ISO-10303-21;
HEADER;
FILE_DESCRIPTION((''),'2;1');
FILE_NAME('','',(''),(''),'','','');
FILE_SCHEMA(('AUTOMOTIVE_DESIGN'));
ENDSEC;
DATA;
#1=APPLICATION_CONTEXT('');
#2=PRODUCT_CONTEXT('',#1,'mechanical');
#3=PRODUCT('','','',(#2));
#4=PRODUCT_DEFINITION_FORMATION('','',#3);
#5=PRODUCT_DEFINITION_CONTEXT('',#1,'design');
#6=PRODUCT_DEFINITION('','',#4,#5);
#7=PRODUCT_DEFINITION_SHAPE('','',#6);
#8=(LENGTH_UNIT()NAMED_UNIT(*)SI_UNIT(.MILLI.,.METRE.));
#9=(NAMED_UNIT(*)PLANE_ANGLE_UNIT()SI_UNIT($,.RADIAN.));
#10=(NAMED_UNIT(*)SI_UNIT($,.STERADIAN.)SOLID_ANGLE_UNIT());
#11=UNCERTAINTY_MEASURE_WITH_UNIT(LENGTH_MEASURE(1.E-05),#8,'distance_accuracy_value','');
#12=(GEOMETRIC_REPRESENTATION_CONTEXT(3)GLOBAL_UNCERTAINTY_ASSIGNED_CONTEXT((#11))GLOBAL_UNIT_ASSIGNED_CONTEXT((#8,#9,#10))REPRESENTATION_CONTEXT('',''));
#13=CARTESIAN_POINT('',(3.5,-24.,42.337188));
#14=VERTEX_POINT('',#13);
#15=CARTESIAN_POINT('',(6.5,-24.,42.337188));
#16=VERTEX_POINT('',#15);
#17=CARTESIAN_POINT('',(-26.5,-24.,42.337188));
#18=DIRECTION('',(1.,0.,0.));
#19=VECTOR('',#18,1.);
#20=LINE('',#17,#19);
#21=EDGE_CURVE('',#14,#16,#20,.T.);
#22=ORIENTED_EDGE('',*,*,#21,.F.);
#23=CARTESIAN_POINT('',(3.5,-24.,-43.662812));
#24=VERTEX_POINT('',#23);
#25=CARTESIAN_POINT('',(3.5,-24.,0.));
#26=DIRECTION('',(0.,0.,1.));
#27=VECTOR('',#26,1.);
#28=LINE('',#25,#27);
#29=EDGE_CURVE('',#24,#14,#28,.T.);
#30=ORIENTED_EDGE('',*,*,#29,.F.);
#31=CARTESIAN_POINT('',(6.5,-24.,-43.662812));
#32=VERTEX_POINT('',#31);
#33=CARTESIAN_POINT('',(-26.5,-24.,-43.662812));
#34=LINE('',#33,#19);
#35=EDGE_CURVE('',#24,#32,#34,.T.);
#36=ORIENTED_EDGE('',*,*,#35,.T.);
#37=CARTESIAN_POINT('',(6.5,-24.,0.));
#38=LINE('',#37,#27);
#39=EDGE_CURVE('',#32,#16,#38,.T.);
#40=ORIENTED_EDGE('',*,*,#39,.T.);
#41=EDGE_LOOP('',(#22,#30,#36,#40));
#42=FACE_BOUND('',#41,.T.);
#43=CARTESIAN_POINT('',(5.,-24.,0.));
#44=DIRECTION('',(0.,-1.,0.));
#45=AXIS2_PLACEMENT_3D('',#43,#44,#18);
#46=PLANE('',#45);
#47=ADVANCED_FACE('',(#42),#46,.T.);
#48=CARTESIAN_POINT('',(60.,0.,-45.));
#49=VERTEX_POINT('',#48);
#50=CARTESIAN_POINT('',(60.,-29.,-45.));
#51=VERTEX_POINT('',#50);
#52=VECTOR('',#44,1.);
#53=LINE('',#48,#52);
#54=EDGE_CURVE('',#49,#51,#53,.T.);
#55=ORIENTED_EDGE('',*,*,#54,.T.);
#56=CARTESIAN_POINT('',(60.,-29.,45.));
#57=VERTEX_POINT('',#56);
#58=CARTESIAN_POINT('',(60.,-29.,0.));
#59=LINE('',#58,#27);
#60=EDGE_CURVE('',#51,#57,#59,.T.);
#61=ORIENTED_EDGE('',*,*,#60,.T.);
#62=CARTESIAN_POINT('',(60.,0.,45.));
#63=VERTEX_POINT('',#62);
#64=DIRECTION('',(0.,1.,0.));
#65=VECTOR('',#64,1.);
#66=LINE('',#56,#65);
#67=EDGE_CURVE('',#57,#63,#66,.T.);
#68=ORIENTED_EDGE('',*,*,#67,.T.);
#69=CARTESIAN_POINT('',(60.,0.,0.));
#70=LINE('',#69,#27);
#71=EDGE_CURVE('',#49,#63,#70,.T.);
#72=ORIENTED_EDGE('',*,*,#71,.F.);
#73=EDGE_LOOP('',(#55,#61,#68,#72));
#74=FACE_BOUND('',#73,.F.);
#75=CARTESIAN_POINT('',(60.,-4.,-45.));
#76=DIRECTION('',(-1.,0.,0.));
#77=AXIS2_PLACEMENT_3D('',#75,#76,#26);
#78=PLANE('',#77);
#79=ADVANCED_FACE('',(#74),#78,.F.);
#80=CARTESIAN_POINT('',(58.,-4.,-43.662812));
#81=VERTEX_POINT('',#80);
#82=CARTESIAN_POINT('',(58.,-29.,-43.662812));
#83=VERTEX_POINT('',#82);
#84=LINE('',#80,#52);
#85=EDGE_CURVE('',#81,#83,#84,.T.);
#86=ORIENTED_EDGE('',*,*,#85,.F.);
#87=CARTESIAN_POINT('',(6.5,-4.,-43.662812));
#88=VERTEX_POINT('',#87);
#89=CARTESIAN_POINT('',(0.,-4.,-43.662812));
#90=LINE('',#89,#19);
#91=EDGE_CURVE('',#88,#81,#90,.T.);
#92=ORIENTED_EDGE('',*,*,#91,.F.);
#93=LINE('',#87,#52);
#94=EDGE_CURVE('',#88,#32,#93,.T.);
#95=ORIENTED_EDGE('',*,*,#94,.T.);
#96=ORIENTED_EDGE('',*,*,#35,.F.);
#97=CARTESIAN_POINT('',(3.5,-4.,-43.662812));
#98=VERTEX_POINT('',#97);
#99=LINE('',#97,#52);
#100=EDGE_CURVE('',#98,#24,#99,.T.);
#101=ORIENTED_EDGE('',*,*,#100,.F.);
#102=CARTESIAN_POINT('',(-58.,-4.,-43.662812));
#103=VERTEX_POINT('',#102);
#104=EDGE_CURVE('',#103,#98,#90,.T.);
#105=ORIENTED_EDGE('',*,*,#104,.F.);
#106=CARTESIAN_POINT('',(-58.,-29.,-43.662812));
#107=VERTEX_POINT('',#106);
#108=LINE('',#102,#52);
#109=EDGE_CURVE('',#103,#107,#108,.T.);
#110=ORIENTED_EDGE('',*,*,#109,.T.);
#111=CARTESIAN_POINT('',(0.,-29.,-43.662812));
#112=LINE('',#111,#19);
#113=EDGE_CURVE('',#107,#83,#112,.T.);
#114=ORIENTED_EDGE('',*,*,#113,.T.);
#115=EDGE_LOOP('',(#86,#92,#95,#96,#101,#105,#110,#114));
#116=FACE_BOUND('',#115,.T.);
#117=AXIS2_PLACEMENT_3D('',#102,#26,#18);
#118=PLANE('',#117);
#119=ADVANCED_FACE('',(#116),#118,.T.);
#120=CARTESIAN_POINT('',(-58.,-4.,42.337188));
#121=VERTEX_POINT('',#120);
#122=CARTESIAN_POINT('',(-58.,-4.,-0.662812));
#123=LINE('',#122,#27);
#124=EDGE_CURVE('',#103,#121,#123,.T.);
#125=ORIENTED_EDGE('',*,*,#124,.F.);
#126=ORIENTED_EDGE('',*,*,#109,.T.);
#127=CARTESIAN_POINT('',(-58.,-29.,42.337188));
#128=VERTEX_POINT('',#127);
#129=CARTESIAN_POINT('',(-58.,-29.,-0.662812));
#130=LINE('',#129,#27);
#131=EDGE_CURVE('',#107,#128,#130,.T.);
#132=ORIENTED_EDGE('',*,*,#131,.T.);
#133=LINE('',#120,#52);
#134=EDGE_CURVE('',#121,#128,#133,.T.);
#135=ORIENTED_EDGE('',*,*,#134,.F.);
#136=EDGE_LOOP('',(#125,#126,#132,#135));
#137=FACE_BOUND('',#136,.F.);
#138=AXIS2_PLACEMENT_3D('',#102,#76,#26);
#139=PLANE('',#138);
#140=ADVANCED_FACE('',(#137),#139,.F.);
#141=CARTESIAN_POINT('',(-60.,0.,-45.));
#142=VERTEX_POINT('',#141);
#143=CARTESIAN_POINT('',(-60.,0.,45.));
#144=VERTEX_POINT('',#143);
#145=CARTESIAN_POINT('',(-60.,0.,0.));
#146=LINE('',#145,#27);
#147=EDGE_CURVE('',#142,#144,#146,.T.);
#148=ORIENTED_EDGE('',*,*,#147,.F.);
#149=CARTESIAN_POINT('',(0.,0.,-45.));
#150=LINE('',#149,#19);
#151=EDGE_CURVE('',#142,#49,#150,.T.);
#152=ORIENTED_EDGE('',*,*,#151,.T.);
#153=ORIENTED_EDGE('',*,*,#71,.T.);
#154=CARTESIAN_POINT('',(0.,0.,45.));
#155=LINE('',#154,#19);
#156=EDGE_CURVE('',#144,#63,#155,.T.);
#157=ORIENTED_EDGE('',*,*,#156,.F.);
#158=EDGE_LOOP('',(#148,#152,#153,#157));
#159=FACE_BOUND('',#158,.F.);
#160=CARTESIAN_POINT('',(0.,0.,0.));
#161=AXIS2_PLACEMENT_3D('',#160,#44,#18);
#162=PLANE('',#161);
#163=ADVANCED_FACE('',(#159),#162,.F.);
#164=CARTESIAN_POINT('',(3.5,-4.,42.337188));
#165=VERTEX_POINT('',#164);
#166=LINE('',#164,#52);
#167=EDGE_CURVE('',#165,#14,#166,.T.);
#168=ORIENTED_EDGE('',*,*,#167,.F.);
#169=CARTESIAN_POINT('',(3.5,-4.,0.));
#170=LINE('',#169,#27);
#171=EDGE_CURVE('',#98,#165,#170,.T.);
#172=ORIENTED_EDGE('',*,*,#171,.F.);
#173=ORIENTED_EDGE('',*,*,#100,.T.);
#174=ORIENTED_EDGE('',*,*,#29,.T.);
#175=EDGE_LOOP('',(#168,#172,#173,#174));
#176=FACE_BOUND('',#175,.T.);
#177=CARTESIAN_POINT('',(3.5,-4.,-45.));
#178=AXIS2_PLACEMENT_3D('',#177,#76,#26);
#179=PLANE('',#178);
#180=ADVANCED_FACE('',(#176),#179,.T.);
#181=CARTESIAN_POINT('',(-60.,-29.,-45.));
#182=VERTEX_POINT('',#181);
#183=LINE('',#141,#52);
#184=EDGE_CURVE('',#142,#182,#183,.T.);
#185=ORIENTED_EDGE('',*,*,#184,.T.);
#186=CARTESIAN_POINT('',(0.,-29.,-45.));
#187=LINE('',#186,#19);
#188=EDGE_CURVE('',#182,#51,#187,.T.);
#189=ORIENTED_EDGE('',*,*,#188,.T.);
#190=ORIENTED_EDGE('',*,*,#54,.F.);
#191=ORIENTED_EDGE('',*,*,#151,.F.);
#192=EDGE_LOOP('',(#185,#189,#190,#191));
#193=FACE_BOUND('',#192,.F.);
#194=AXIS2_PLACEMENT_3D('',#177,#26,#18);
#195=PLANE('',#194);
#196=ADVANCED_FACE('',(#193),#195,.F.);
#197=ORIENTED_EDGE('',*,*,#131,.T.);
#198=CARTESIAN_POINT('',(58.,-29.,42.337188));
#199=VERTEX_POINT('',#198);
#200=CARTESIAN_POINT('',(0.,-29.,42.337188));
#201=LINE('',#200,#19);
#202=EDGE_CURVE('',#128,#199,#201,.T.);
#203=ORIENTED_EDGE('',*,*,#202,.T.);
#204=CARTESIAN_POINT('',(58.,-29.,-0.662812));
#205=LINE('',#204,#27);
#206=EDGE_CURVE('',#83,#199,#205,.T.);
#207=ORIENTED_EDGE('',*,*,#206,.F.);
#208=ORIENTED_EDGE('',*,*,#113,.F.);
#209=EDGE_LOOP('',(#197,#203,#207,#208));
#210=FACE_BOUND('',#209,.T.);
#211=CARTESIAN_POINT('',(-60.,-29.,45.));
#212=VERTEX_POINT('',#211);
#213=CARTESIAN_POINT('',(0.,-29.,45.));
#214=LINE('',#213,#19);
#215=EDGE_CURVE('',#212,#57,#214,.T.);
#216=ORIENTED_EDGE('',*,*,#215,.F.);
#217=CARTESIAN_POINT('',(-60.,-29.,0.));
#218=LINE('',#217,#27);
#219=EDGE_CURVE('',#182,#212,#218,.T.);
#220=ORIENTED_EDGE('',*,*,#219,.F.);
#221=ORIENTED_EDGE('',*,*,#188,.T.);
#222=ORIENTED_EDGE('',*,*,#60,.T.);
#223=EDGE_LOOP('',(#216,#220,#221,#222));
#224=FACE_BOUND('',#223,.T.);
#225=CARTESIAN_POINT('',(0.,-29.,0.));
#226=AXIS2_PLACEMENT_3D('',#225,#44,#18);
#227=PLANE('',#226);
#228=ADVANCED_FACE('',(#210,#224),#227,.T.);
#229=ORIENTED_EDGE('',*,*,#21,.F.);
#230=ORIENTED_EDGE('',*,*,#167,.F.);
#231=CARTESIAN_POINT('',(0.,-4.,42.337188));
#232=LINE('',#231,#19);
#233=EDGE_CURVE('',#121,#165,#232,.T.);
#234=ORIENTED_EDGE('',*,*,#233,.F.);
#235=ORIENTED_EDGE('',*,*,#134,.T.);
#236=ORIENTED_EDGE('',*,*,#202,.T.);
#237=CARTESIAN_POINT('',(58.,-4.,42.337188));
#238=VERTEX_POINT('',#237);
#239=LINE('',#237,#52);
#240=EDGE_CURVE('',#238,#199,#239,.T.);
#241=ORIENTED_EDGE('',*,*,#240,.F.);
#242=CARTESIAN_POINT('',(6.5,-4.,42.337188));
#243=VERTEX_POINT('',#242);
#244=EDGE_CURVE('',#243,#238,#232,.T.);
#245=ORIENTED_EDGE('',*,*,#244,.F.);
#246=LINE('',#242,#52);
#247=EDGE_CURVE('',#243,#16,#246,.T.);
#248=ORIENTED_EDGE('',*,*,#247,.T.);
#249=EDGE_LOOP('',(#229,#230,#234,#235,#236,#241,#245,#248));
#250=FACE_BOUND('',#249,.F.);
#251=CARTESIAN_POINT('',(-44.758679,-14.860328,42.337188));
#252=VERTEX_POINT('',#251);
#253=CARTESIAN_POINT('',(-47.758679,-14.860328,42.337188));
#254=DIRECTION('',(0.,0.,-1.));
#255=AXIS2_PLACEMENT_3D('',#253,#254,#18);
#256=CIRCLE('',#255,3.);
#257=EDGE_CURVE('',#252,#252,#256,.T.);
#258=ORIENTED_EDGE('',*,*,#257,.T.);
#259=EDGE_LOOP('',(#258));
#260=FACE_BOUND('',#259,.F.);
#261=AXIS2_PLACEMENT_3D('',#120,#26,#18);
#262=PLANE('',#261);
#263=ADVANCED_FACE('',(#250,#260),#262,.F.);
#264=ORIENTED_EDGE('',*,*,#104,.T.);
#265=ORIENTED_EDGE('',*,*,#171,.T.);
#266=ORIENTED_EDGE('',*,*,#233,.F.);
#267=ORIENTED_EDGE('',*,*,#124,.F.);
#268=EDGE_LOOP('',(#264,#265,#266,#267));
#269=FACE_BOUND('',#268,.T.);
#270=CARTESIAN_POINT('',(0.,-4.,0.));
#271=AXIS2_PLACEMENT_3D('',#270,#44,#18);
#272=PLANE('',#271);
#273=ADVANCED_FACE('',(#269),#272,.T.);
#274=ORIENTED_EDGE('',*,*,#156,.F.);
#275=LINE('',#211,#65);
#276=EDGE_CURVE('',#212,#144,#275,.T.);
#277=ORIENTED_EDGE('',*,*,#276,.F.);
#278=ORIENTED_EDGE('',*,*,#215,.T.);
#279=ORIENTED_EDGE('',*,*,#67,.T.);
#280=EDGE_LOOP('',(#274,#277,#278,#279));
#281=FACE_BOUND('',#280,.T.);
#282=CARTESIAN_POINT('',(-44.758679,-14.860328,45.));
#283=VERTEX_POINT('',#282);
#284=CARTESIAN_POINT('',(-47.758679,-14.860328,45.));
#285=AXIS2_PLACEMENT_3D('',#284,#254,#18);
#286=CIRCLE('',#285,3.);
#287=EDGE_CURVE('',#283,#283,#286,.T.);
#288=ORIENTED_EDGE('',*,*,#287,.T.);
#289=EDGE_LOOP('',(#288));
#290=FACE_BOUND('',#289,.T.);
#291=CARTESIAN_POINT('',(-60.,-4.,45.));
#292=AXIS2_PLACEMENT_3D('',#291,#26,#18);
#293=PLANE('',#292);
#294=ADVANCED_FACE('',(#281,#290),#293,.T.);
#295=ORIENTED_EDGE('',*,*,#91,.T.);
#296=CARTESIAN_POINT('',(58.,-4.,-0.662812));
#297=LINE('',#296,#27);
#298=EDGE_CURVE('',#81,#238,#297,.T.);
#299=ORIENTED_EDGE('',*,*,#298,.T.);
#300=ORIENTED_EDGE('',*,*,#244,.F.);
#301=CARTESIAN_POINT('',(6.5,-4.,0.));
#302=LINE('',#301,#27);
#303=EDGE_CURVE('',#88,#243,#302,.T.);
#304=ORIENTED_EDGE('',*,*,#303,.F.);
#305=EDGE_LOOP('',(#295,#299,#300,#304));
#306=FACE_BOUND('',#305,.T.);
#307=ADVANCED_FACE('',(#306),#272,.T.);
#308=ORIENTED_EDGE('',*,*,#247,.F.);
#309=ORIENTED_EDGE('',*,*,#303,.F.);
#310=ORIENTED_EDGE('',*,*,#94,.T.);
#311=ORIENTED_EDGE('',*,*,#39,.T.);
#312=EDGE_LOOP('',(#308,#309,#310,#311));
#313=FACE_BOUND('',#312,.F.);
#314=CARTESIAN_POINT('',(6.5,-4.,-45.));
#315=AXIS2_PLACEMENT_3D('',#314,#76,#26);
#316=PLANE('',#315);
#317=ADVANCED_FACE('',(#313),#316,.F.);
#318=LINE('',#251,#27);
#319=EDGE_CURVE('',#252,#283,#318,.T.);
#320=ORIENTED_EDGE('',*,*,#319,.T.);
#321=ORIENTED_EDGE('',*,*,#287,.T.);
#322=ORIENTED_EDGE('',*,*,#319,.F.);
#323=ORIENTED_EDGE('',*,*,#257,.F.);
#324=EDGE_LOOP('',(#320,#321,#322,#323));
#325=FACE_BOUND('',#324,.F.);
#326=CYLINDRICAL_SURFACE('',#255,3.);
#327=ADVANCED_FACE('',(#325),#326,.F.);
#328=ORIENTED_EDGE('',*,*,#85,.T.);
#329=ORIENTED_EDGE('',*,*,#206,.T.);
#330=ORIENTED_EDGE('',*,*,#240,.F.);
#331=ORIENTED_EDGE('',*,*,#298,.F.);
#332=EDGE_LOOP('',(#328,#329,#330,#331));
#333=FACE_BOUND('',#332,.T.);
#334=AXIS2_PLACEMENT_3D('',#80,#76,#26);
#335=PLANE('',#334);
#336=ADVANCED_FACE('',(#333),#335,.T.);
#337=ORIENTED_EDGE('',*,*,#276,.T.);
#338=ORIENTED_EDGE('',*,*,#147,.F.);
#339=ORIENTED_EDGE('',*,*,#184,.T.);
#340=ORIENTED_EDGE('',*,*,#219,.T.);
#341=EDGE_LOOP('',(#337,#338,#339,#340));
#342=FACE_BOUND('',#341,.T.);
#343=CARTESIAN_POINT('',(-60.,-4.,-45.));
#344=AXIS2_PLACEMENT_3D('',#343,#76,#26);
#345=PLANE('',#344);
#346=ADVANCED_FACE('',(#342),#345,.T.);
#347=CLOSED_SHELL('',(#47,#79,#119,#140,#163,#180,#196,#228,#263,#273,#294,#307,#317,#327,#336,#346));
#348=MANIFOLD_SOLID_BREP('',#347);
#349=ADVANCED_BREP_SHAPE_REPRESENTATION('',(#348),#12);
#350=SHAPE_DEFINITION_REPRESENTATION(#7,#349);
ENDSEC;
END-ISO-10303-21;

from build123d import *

# Parameters (mm, degrees)
SKETCH_W      = 120
SKETCH_H      = 90
PAD_DEPTH     = 4
SKETCH001_W   = 120
SKETCH001_H   = 90
SKETCH001_W_2 = 116
SKETCH001_H_2 = 86
PAD001_DEPTH  = 25
SKETCH002_W   = 3
SKETCH002_H   = 90
PAD002_DEPTH  = 20
SKETCH004_R   = 3
HOLE_DEPTH    = 25


with BuildPart() as part:
    # Sketch → Pad (new body)
    with BuildSketch(Plane.XZ):
        Rectangle(SKETCH_W, SKETCH_H)
    extrude(amount=PAD_DEPTH)

    # Sketch001 (on Face6 of Pad) → Pad001 (join)
    with BuildSketch(Plane.XZ.offset(4)):
        Rectangle(SKETCH001_W, SKETCH001_H)
        with Locations((0, -0.662812)):
            Rectangle(SKETCH001_W_2, SKETCH001_H_2, mode=Mode.SUBTRACT)
    extrude(amount=PAD001_DEPTH)

    # Sketch002 (on Face15 of Pad001) → Pad002 (join)
    with BuildSketch(Plane.XZ.offset(4)):
        with Locations((5, 0)):
            Rectangle(SKETCH002_W, SKETCH002_H)
    extrude(amount=PAD002_DEPTH)

    # Sketch004 (on Face14 of Pad002) → Hole (cut)
    with BuildSketch(Plane(origin=(0, 0, 42.337188), x_dir=(1, 0, 0), z_dir=(0, 0, -1))):
        with Locations((-47.758679, 14.860328)):
            Circle(SKETCH004_R)
    extrude(amount=-HOLE_DEPTH, mode=Mode.SUBTRACT)


solid = part.part
